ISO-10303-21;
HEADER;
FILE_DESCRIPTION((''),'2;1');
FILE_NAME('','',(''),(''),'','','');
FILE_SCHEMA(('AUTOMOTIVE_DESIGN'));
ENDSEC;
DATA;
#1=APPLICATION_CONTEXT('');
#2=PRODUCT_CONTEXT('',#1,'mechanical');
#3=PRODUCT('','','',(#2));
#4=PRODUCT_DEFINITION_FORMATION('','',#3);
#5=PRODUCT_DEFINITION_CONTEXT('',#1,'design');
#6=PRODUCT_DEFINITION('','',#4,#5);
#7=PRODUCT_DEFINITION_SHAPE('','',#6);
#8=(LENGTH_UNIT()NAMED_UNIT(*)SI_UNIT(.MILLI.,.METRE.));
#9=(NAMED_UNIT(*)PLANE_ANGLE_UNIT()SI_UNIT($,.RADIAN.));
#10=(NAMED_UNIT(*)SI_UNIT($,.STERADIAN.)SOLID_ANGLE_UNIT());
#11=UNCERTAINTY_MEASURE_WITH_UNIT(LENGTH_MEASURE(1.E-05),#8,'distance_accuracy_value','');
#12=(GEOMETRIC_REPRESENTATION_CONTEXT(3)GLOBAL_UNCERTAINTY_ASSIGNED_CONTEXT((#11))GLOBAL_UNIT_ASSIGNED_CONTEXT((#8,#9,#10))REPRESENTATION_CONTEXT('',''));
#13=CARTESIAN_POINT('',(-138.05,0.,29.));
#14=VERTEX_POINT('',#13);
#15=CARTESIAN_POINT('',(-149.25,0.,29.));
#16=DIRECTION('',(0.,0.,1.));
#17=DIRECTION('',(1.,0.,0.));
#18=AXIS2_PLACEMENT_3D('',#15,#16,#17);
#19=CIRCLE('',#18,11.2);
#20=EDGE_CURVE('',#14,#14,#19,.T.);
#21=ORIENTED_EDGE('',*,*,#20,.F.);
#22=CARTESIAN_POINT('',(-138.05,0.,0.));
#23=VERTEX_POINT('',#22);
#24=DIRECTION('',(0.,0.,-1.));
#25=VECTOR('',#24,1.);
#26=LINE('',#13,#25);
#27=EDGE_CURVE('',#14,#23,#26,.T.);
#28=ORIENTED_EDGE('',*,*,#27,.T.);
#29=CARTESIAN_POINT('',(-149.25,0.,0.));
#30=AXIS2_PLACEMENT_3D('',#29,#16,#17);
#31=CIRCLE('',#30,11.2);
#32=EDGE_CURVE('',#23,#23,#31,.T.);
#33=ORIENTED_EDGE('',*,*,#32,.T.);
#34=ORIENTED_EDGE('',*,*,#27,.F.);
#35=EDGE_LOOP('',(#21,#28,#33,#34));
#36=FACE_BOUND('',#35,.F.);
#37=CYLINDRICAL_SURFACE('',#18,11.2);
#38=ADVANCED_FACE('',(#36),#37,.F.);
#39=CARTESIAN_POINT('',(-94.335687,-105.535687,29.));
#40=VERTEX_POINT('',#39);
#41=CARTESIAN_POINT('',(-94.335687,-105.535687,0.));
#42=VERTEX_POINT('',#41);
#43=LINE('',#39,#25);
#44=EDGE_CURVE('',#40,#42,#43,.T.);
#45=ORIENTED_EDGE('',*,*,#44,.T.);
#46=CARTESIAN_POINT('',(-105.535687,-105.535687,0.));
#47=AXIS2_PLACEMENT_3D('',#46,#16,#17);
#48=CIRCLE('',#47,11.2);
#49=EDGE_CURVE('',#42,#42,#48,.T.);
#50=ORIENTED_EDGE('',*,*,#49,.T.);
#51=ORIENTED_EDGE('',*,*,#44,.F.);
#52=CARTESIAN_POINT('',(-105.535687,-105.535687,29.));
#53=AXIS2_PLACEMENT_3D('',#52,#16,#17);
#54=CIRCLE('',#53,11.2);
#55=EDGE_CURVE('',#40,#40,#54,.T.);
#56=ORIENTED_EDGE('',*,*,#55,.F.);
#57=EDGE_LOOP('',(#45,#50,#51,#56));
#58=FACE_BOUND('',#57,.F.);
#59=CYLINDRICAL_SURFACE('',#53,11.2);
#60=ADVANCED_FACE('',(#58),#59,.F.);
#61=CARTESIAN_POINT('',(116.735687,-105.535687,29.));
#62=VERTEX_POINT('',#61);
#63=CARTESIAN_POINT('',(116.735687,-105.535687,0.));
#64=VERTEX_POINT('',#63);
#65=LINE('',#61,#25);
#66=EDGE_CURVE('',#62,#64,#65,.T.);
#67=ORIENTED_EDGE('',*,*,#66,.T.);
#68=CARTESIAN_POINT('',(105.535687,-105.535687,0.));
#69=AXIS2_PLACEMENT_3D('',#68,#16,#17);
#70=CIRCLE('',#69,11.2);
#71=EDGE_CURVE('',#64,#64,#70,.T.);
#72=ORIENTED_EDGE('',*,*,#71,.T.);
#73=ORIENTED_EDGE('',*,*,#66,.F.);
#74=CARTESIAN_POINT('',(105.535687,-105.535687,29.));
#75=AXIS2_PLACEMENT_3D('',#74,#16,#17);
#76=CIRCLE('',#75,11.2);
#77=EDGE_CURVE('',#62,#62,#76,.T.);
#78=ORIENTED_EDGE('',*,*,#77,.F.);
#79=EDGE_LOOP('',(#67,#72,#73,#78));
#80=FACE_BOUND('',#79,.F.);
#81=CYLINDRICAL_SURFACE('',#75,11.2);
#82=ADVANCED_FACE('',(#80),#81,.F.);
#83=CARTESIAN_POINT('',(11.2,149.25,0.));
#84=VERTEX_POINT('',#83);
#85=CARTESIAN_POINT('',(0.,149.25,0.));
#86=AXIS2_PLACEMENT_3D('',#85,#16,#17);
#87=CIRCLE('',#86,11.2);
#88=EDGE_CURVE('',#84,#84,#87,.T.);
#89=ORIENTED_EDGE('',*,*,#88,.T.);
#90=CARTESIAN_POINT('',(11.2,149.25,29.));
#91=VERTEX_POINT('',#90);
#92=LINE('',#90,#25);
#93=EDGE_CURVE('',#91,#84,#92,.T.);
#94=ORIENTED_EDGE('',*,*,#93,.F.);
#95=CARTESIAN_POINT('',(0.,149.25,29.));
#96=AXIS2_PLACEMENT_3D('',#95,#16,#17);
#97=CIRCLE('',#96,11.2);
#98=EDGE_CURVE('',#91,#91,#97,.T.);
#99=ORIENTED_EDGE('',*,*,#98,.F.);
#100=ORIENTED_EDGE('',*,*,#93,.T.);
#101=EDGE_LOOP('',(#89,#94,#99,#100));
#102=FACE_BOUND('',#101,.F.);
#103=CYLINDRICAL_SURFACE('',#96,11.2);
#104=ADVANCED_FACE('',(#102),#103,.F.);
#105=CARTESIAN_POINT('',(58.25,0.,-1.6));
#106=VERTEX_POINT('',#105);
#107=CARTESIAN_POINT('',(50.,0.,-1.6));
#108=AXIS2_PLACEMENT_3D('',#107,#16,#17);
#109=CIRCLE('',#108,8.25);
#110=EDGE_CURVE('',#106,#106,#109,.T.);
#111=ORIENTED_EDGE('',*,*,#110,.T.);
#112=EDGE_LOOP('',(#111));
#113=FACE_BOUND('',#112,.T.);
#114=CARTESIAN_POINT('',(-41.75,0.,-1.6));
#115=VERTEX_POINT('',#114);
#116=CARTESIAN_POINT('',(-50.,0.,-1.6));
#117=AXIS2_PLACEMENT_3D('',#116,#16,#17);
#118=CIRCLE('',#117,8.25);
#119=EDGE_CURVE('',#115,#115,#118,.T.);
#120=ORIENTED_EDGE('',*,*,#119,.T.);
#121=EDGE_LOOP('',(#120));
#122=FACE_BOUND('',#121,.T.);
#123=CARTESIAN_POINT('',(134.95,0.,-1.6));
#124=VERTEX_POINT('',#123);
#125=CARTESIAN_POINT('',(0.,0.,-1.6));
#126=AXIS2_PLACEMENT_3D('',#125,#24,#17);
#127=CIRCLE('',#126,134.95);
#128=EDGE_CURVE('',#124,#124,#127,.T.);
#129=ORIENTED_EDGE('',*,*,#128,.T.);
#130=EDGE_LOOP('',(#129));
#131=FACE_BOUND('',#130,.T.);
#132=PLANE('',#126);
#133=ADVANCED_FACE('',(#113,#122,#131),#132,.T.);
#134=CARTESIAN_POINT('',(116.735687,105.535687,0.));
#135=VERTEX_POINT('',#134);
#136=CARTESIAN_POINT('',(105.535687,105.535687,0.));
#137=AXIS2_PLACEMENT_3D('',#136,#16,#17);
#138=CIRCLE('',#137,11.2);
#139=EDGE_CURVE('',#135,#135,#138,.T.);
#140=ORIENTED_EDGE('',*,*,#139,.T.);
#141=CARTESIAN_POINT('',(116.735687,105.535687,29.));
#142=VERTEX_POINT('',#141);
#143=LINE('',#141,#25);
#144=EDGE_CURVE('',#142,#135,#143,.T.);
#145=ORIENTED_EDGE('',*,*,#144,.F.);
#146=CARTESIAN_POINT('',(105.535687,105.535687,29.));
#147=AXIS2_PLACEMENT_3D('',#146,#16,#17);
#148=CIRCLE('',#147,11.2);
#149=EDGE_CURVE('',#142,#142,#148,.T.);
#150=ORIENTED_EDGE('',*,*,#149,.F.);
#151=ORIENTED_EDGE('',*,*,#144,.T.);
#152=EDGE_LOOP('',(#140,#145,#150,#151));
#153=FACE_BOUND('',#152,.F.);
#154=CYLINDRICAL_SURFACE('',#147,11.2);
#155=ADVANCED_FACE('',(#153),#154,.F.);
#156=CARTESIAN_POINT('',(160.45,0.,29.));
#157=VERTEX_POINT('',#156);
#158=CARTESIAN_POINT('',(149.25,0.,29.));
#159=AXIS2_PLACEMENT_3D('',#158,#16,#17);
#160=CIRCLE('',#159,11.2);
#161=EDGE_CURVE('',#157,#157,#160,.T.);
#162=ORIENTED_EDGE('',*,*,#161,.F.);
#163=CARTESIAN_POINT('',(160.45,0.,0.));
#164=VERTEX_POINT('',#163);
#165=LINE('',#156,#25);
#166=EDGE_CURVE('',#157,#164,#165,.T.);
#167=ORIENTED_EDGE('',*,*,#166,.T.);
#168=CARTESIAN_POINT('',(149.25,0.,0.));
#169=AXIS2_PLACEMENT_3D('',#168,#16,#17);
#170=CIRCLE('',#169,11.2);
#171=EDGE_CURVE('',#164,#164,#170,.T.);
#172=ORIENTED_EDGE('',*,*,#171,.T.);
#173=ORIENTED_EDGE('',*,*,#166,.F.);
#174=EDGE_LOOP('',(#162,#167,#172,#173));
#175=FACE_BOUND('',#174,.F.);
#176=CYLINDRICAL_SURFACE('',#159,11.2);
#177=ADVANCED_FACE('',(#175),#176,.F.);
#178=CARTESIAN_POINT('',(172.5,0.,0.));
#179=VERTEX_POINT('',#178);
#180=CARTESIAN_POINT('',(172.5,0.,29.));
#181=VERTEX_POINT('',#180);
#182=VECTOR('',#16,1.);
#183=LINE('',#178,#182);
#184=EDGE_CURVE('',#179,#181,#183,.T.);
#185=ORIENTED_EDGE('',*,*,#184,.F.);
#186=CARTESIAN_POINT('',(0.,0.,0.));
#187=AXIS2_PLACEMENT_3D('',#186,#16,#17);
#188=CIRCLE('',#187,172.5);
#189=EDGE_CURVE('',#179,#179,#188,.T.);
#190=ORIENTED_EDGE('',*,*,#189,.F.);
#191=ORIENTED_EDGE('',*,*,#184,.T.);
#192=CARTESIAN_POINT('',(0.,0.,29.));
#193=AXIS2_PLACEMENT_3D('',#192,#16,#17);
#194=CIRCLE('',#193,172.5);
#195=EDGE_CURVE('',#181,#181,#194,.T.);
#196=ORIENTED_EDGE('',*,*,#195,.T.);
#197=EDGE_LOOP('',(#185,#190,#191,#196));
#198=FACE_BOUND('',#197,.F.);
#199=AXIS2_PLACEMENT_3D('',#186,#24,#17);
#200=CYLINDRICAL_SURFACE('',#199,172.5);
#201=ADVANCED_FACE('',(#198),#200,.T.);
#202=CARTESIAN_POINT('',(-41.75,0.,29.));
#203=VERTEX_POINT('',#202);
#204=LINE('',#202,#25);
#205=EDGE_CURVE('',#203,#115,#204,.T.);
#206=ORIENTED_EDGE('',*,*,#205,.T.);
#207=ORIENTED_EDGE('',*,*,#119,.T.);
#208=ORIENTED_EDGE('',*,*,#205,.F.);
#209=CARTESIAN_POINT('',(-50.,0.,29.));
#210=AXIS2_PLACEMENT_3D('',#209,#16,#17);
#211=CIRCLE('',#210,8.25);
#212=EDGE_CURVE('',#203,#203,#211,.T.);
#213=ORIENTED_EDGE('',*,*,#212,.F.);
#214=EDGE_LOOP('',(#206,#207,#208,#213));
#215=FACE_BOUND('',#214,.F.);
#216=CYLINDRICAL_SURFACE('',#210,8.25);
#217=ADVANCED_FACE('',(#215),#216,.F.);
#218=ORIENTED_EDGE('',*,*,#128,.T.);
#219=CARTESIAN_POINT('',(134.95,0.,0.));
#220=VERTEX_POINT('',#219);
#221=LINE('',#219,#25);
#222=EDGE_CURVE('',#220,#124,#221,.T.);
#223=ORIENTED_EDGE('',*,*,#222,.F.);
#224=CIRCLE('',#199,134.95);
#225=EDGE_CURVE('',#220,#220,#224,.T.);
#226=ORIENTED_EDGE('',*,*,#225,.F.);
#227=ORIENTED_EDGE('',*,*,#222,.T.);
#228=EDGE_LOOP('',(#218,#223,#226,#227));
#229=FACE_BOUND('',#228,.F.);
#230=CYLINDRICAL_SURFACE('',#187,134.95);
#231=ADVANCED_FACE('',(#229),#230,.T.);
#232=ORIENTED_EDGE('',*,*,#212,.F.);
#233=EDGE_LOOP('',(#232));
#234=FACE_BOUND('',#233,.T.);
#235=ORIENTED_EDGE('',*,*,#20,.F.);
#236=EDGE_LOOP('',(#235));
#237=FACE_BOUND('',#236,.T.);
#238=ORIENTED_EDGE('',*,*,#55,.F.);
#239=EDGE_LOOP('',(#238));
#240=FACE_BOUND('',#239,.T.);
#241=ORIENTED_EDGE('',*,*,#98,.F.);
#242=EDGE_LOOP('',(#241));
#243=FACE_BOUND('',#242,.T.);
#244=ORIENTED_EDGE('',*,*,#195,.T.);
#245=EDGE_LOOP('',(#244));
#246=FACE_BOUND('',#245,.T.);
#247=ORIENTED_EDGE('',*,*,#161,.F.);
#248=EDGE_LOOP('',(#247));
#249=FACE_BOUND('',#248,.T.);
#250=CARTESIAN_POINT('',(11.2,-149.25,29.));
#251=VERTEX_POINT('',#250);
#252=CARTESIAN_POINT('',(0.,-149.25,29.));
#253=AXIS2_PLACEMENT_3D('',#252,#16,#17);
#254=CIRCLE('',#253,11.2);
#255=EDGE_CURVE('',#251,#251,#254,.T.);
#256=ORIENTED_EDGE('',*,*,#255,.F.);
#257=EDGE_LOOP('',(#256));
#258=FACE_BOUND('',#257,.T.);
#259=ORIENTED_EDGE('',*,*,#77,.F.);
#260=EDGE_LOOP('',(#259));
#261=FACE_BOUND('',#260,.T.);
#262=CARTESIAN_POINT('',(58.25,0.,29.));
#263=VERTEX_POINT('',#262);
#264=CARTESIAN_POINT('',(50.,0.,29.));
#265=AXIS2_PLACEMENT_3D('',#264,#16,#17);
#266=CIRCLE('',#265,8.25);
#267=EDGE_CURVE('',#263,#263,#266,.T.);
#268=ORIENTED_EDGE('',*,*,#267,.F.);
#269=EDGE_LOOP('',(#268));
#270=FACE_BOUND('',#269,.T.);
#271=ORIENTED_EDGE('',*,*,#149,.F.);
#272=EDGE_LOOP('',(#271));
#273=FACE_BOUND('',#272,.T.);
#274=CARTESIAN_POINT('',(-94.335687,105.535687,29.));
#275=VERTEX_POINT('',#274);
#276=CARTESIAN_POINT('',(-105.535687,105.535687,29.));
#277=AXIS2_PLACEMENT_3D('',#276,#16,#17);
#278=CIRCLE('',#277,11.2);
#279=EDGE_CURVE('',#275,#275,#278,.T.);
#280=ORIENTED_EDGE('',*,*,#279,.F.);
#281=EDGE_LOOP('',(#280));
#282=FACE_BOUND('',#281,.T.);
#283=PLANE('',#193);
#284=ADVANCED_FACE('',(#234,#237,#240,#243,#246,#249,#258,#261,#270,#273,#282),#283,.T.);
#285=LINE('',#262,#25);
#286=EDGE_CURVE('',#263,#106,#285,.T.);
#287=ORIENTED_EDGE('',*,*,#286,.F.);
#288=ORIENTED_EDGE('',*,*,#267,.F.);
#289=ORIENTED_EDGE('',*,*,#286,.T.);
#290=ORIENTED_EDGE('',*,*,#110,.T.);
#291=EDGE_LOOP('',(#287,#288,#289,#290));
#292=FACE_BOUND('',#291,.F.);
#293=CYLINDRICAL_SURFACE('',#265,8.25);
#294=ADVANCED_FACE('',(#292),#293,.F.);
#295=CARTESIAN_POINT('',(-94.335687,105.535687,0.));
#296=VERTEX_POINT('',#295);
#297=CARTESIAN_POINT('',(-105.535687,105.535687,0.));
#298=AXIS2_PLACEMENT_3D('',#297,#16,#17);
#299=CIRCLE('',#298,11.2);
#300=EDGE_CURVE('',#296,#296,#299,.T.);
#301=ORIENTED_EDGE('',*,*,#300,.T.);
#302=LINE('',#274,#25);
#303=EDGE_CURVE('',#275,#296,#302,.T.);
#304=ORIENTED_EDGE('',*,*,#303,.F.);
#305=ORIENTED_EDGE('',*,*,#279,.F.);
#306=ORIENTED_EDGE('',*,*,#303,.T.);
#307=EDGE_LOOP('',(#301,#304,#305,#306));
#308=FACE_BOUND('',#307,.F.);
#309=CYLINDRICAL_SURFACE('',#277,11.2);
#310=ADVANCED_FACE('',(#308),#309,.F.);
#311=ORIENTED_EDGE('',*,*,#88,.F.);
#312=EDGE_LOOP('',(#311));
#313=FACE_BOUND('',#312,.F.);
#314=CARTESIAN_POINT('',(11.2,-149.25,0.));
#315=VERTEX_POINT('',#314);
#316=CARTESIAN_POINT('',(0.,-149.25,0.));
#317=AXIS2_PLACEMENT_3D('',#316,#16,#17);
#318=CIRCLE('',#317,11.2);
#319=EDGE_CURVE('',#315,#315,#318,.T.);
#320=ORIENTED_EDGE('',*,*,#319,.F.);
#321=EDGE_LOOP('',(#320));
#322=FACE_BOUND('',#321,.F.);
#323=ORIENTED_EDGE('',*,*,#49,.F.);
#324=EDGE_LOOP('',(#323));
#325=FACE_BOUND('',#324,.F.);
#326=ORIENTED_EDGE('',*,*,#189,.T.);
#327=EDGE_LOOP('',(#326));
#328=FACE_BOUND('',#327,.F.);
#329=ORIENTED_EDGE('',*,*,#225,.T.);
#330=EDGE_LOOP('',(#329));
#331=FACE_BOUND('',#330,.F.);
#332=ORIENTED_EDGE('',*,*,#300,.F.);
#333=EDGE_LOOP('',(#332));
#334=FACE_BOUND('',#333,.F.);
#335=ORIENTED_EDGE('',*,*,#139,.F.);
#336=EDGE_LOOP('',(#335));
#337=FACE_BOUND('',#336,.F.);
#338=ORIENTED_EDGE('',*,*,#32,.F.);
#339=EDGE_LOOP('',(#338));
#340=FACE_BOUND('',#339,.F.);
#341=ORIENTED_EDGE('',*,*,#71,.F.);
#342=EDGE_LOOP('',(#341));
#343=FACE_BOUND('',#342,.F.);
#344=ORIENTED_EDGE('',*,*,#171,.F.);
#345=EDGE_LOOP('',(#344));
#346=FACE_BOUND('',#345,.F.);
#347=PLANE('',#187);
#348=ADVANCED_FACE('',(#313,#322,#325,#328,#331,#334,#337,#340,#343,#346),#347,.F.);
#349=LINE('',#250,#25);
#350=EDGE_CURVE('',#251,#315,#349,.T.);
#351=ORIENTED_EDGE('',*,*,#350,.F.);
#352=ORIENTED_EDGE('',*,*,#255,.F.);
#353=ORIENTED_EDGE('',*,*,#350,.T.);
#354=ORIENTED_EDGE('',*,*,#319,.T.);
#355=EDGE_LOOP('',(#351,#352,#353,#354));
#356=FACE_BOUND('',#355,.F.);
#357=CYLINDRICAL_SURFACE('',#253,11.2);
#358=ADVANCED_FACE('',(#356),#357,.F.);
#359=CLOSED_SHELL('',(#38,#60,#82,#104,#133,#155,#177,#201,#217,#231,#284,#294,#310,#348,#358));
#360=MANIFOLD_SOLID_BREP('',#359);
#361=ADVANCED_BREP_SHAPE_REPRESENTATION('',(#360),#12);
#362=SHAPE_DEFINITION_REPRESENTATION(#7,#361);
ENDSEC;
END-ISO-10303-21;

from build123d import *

# Parameters (mm, degrees)
F0_R     = 172.5
F1_DEPTH = 29
F2_R     = 134.95
F3_DEPTH = 1.6
F4_R     = 11.2
F5_DEPTH = 30.601
F6_R     = 8.25
F7_DEPTH = 30.601


with BuildPart() as f1:
    # F0 (on Top) → F1 (new body)
    with BuildSketch(Plane.XY):
        Circle(F0_R)
    extrude(amount=F1_DEPTH)

    # F2 (on face) → F3 (join)
    with BuildSketch(Plane(origin=(0, 0, 0), x_dir=(1, 0, 0), z_dir=(0, 0, -1))):
        Circle(F2_R)
    extrude(amount=F3_DEPTH)

    # F4 (on face) → F5 (cut, through all)
    with BuildSketch(Plane.XY.offset(29)):
        with Locations((0, 149.25)):
            Circle(F4_R)
        with Locations((-105.535687, 105.535687)):
            Circle(F4_R)
        with Locations((-149.25, 0)):
            Circle(F4_R)
        with Locations((-105.535687, -105.535687)):
            Circle(F4_R)
        with Locations((0, -149.25)):
            Circle(F4_R)
        with Locations((105.535687, -105.535687)):
            Circle(F4_R)
        with Locations((149.25, 0)):
            Circle(F4_R)
        with Locations((105.535687, 105.535687)):
            Circle(F4_R)
    extrude(amount=-F5_DEPTH, mode=Mode.SUBTRACT)

    # F6 (on face) → F7 (cut, through all)
    with BuildSketch(Plane.XY.offset(29)):
        with Locations((-50, 0)):
            Circle(F6_R)
        with Locations((50, 0)):
            Circle(F6_R)
    extrude(amount=-F7_DEPTH, mode=Mode.SUBTRACT)


solid = f1.part
